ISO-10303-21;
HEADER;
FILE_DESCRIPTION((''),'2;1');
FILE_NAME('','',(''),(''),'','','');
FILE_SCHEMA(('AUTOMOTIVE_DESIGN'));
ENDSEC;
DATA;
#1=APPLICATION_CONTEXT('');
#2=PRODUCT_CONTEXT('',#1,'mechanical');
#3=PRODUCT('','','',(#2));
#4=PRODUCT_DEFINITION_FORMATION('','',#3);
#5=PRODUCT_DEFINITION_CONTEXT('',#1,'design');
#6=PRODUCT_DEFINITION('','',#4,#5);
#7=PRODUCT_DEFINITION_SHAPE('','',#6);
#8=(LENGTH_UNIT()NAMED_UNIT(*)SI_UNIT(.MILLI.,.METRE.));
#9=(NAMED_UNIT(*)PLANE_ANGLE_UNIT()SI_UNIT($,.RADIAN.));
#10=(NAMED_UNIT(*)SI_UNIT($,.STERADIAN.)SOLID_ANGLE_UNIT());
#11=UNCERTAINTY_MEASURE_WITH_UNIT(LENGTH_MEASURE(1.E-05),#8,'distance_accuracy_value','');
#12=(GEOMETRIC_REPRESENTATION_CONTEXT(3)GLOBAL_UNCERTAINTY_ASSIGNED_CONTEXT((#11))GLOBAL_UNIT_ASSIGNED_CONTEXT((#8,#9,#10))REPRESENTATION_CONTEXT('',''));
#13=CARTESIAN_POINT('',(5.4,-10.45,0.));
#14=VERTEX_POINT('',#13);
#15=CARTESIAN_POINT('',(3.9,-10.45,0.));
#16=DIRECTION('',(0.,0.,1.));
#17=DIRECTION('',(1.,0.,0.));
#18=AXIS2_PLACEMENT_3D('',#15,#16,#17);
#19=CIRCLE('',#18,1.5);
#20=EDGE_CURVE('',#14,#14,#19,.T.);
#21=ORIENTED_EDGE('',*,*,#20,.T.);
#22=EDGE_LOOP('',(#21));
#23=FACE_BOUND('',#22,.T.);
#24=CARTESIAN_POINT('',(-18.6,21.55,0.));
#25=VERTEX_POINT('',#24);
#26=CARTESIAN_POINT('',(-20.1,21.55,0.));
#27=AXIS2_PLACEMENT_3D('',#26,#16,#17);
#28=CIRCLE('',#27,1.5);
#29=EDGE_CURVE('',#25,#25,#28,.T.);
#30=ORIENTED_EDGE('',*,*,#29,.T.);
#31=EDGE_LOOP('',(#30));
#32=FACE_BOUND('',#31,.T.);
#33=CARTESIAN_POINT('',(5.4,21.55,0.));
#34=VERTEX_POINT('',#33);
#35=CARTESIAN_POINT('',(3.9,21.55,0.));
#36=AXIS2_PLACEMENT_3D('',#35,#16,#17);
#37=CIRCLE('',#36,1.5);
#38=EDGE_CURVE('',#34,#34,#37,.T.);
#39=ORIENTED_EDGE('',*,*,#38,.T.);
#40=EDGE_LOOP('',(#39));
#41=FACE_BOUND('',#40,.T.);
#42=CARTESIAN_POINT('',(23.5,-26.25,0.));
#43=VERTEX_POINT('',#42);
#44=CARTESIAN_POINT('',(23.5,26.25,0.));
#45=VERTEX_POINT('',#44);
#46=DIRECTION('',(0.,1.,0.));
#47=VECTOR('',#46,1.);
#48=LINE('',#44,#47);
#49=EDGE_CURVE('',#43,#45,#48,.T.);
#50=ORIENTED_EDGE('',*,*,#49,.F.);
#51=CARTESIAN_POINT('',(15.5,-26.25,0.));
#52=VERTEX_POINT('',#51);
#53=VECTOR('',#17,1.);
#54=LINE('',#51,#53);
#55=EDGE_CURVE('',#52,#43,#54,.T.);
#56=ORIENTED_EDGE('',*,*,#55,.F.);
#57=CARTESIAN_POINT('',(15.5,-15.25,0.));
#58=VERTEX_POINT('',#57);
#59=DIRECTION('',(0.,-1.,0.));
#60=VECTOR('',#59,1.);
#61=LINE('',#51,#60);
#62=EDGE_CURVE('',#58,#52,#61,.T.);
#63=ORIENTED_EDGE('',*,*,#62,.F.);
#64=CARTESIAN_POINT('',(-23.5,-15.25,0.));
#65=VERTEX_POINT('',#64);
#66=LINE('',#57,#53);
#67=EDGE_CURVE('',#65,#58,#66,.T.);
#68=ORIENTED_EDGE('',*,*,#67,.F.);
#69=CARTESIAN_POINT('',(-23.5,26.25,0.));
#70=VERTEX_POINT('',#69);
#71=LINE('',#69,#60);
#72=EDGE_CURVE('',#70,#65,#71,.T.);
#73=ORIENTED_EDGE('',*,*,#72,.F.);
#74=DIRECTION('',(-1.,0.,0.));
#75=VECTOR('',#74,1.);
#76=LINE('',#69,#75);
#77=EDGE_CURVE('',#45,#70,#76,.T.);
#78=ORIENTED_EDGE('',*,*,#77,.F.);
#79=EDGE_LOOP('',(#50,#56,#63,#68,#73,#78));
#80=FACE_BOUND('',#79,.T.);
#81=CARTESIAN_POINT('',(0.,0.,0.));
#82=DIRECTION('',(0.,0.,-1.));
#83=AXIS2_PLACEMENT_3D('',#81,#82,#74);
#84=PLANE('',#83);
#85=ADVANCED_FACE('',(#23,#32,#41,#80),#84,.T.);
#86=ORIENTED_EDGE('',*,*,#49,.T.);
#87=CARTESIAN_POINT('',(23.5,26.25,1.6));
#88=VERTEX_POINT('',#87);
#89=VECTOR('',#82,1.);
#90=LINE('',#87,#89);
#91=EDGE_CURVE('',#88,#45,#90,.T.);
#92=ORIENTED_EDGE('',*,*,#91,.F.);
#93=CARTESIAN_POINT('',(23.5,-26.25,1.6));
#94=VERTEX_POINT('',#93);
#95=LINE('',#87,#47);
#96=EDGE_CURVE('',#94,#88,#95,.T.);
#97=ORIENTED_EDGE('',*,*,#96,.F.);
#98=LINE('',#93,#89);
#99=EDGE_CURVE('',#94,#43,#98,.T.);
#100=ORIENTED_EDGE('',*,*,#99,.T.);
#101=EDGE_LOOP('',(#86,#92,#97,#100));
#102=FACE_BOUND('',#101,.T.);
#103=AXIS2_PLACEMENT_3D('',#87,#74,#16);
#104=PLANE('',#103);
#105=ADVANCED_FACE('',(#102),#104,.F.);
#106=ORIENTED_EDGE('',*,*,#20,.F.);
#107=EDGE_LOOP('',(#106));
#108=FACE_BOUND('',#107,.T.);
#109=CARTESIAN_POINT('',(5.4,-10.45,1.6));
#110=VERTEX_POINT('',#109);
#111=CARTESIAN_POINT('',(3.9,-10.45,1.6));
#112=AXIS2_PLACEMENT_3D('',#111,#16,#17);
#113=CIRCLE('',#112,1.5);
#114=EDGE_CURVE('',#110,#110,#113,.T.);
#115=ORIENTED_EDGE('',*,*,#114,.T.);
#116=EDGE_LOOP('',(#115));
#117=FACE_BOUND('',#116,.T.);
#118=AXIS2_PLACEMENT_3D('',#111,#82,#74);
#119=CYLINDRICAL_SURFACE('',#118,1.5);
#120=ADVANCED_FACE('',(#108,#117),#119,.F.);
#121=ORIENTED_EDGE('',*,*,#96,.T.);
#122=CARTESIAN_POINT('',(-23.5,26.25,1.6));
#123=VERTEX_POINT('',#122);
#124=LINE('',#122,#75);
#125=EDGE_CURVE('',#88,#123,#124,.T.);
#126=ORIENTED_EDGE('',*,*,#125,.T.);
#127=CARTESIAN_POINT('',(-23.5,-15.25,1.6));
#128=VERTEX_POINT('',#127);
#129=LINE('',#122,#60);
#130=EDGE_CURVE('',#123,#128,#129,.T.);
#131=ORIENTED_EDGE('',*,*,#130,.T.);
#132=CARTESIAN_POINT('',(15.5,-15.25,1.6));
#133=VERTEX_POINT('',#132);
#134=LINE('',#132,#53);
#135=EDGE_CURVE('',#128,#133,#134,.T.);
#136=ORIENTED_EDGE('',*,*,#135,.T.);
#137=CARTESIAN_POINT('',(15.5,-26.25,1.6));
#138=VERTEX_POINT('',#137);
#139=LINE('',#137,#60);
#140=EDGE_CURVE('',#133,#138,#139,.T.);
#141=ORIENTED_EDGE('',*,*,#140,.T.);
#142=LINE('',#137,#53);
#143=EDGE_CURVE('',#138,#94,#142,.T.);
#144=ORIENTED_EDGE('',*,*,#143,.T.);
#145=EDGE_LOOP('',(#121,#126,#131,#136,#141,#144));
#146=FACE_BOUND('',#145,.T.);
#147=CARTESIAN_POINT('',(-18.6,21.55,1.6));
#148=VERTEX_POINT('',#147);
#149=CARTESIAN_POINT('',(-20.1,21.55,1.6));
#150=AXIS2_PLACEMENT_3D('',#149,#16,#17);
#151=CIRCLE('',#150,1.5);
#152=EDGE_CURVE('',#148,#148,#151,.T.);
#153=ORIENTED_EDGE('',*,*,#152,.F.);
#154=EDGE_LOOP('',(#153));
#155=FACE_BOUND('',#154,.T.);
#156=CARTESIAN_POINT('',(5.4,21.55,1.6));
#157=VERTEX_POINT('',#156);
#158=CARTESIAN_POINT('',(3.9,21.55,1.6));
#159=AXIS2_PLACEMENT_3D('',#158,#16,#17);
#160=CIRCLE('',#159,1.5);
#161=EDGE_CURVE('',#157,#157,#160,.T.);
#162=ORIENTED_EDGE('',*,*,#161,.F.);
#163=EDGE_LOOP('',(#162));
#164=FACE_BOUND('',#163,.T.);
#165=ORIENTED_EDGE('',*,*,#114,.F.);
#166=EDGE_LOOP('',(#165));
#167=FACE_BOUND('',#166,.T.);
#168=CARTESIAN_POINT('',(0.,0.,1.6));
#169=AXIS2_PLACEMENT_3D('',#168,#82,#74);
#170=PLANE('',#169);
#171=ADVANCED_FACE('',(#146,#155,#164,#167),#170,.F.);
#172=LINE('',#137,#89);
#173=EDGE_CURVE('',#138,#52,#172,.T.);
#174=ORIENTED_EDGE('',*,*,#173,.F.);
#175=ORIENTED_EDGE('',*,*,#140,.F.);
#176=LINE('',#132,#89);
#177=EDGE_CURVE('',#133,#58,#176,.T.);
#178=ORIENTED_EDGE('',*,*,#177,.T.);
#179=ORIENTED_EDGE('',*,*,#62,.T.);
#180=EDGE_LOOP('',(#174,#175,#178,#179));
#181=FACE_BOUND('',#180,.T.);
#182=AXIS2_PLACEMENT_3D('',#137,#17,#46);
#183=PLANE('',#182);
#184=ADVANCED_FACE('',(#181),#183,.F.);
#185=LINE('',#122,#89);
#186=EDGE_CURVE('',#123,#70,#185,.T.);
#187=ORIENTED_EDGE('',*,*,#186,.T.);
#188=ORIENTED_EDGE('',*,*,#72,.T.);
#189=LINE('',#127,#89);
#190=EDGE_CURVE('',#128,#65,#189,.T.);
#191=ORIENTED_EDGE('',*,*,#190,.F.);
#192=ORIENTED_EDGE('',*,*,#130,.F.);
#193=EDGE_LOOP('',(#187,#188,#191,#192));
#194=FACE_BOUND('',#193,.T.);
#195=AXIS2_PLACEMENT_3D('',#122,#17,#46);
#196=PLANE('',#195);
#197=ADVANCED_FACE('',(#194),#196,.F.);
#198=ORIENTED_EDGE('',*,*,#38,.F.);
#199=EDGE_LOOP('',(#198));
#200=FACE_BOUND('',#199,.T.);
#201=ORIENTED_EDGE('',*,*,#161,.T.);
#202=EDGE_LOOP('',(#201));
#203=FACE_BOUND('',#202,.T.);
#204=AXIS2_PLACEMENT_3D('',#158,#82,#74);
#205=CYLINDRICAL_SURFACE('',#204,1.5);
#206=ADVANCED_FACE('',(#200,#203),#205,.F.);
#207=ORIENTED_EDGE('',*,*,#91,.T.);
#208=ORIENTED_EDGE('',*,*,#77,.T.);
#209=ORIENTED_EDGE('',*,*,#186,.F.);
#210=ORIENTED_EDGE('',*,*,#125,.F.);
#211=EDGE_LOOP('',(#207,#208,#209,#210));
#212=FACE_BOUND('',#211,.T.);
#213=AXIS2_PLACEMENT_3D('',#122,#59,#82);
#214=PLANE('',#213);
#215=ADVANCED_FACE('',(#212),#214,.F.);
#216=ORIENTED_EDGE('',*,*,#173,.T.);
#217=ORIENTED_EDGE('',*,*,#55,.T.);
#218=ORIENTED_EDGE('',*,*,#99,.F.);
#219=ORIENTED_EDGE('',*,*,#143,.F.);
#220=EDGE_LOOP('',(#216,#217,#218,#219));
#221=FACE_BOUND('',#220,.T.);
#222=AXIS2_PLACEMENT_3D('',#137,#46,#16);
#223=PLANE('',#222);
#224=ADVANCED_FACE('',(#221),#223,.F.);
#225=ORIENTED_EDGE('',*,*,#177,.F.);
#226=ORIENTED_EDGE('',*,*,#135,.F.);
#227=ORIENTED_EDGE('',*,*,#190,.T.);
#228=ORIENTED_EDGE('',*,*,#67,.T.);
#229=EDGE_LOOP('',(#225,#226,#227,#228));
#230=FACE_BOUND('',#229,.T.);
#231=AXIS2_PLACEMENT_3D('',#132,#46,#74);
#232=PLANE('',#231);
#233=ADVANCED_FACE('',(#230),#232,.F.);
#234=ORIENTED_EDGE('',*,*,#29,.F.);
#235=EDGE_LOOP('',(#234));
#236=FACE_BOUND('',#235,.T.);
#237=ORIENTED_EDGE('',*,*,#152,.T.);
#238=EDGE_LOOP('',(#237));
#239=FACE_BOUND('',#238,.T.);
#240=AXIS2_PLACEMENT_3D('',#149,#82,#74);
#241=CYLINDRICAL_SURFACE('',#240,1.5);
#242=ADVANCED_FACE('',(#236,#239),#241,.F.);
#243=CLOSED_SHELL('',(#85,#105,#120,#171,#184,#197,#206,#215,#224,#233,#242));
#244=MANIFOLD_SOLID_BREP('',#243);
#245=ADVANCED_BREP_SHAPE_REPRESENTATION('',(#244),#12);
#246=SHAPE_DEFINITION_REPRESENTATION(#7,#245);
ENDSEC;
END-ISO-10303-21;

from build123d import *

# Parameters (mm, degrees)
SKETCH_1_R      = 1.5
EXTRUDE_1_DEPTH = 1.6


with BuildPart() as part:
    # 草图1 → 凸台-拉伸1 (new body)
    with BuildSketch(Plane.XY):
        Polygon((15.5, -26.25), (15.5, -15.25), (-23.5, -15.25), (-23.5, 26.25), (23.5, 26.25), (23.5, -26.25), align=None)
        with Locations((3.9, 21.55)):
            Circle(SKETCH_1_R, mode=Mode.SUBTRACT)
        with Locations((3.9, -10.45)):
            Circle(SKETCH_1_R, mode=Mode.SUBTRACT)
        with Locations((-20.1, 21.55)):
            Circle(SKETCH_1_R, mode=Mode.SUBTRACT)
    extrude(amount=EXTRUDE_1_DEPTH)


solid = part.part
